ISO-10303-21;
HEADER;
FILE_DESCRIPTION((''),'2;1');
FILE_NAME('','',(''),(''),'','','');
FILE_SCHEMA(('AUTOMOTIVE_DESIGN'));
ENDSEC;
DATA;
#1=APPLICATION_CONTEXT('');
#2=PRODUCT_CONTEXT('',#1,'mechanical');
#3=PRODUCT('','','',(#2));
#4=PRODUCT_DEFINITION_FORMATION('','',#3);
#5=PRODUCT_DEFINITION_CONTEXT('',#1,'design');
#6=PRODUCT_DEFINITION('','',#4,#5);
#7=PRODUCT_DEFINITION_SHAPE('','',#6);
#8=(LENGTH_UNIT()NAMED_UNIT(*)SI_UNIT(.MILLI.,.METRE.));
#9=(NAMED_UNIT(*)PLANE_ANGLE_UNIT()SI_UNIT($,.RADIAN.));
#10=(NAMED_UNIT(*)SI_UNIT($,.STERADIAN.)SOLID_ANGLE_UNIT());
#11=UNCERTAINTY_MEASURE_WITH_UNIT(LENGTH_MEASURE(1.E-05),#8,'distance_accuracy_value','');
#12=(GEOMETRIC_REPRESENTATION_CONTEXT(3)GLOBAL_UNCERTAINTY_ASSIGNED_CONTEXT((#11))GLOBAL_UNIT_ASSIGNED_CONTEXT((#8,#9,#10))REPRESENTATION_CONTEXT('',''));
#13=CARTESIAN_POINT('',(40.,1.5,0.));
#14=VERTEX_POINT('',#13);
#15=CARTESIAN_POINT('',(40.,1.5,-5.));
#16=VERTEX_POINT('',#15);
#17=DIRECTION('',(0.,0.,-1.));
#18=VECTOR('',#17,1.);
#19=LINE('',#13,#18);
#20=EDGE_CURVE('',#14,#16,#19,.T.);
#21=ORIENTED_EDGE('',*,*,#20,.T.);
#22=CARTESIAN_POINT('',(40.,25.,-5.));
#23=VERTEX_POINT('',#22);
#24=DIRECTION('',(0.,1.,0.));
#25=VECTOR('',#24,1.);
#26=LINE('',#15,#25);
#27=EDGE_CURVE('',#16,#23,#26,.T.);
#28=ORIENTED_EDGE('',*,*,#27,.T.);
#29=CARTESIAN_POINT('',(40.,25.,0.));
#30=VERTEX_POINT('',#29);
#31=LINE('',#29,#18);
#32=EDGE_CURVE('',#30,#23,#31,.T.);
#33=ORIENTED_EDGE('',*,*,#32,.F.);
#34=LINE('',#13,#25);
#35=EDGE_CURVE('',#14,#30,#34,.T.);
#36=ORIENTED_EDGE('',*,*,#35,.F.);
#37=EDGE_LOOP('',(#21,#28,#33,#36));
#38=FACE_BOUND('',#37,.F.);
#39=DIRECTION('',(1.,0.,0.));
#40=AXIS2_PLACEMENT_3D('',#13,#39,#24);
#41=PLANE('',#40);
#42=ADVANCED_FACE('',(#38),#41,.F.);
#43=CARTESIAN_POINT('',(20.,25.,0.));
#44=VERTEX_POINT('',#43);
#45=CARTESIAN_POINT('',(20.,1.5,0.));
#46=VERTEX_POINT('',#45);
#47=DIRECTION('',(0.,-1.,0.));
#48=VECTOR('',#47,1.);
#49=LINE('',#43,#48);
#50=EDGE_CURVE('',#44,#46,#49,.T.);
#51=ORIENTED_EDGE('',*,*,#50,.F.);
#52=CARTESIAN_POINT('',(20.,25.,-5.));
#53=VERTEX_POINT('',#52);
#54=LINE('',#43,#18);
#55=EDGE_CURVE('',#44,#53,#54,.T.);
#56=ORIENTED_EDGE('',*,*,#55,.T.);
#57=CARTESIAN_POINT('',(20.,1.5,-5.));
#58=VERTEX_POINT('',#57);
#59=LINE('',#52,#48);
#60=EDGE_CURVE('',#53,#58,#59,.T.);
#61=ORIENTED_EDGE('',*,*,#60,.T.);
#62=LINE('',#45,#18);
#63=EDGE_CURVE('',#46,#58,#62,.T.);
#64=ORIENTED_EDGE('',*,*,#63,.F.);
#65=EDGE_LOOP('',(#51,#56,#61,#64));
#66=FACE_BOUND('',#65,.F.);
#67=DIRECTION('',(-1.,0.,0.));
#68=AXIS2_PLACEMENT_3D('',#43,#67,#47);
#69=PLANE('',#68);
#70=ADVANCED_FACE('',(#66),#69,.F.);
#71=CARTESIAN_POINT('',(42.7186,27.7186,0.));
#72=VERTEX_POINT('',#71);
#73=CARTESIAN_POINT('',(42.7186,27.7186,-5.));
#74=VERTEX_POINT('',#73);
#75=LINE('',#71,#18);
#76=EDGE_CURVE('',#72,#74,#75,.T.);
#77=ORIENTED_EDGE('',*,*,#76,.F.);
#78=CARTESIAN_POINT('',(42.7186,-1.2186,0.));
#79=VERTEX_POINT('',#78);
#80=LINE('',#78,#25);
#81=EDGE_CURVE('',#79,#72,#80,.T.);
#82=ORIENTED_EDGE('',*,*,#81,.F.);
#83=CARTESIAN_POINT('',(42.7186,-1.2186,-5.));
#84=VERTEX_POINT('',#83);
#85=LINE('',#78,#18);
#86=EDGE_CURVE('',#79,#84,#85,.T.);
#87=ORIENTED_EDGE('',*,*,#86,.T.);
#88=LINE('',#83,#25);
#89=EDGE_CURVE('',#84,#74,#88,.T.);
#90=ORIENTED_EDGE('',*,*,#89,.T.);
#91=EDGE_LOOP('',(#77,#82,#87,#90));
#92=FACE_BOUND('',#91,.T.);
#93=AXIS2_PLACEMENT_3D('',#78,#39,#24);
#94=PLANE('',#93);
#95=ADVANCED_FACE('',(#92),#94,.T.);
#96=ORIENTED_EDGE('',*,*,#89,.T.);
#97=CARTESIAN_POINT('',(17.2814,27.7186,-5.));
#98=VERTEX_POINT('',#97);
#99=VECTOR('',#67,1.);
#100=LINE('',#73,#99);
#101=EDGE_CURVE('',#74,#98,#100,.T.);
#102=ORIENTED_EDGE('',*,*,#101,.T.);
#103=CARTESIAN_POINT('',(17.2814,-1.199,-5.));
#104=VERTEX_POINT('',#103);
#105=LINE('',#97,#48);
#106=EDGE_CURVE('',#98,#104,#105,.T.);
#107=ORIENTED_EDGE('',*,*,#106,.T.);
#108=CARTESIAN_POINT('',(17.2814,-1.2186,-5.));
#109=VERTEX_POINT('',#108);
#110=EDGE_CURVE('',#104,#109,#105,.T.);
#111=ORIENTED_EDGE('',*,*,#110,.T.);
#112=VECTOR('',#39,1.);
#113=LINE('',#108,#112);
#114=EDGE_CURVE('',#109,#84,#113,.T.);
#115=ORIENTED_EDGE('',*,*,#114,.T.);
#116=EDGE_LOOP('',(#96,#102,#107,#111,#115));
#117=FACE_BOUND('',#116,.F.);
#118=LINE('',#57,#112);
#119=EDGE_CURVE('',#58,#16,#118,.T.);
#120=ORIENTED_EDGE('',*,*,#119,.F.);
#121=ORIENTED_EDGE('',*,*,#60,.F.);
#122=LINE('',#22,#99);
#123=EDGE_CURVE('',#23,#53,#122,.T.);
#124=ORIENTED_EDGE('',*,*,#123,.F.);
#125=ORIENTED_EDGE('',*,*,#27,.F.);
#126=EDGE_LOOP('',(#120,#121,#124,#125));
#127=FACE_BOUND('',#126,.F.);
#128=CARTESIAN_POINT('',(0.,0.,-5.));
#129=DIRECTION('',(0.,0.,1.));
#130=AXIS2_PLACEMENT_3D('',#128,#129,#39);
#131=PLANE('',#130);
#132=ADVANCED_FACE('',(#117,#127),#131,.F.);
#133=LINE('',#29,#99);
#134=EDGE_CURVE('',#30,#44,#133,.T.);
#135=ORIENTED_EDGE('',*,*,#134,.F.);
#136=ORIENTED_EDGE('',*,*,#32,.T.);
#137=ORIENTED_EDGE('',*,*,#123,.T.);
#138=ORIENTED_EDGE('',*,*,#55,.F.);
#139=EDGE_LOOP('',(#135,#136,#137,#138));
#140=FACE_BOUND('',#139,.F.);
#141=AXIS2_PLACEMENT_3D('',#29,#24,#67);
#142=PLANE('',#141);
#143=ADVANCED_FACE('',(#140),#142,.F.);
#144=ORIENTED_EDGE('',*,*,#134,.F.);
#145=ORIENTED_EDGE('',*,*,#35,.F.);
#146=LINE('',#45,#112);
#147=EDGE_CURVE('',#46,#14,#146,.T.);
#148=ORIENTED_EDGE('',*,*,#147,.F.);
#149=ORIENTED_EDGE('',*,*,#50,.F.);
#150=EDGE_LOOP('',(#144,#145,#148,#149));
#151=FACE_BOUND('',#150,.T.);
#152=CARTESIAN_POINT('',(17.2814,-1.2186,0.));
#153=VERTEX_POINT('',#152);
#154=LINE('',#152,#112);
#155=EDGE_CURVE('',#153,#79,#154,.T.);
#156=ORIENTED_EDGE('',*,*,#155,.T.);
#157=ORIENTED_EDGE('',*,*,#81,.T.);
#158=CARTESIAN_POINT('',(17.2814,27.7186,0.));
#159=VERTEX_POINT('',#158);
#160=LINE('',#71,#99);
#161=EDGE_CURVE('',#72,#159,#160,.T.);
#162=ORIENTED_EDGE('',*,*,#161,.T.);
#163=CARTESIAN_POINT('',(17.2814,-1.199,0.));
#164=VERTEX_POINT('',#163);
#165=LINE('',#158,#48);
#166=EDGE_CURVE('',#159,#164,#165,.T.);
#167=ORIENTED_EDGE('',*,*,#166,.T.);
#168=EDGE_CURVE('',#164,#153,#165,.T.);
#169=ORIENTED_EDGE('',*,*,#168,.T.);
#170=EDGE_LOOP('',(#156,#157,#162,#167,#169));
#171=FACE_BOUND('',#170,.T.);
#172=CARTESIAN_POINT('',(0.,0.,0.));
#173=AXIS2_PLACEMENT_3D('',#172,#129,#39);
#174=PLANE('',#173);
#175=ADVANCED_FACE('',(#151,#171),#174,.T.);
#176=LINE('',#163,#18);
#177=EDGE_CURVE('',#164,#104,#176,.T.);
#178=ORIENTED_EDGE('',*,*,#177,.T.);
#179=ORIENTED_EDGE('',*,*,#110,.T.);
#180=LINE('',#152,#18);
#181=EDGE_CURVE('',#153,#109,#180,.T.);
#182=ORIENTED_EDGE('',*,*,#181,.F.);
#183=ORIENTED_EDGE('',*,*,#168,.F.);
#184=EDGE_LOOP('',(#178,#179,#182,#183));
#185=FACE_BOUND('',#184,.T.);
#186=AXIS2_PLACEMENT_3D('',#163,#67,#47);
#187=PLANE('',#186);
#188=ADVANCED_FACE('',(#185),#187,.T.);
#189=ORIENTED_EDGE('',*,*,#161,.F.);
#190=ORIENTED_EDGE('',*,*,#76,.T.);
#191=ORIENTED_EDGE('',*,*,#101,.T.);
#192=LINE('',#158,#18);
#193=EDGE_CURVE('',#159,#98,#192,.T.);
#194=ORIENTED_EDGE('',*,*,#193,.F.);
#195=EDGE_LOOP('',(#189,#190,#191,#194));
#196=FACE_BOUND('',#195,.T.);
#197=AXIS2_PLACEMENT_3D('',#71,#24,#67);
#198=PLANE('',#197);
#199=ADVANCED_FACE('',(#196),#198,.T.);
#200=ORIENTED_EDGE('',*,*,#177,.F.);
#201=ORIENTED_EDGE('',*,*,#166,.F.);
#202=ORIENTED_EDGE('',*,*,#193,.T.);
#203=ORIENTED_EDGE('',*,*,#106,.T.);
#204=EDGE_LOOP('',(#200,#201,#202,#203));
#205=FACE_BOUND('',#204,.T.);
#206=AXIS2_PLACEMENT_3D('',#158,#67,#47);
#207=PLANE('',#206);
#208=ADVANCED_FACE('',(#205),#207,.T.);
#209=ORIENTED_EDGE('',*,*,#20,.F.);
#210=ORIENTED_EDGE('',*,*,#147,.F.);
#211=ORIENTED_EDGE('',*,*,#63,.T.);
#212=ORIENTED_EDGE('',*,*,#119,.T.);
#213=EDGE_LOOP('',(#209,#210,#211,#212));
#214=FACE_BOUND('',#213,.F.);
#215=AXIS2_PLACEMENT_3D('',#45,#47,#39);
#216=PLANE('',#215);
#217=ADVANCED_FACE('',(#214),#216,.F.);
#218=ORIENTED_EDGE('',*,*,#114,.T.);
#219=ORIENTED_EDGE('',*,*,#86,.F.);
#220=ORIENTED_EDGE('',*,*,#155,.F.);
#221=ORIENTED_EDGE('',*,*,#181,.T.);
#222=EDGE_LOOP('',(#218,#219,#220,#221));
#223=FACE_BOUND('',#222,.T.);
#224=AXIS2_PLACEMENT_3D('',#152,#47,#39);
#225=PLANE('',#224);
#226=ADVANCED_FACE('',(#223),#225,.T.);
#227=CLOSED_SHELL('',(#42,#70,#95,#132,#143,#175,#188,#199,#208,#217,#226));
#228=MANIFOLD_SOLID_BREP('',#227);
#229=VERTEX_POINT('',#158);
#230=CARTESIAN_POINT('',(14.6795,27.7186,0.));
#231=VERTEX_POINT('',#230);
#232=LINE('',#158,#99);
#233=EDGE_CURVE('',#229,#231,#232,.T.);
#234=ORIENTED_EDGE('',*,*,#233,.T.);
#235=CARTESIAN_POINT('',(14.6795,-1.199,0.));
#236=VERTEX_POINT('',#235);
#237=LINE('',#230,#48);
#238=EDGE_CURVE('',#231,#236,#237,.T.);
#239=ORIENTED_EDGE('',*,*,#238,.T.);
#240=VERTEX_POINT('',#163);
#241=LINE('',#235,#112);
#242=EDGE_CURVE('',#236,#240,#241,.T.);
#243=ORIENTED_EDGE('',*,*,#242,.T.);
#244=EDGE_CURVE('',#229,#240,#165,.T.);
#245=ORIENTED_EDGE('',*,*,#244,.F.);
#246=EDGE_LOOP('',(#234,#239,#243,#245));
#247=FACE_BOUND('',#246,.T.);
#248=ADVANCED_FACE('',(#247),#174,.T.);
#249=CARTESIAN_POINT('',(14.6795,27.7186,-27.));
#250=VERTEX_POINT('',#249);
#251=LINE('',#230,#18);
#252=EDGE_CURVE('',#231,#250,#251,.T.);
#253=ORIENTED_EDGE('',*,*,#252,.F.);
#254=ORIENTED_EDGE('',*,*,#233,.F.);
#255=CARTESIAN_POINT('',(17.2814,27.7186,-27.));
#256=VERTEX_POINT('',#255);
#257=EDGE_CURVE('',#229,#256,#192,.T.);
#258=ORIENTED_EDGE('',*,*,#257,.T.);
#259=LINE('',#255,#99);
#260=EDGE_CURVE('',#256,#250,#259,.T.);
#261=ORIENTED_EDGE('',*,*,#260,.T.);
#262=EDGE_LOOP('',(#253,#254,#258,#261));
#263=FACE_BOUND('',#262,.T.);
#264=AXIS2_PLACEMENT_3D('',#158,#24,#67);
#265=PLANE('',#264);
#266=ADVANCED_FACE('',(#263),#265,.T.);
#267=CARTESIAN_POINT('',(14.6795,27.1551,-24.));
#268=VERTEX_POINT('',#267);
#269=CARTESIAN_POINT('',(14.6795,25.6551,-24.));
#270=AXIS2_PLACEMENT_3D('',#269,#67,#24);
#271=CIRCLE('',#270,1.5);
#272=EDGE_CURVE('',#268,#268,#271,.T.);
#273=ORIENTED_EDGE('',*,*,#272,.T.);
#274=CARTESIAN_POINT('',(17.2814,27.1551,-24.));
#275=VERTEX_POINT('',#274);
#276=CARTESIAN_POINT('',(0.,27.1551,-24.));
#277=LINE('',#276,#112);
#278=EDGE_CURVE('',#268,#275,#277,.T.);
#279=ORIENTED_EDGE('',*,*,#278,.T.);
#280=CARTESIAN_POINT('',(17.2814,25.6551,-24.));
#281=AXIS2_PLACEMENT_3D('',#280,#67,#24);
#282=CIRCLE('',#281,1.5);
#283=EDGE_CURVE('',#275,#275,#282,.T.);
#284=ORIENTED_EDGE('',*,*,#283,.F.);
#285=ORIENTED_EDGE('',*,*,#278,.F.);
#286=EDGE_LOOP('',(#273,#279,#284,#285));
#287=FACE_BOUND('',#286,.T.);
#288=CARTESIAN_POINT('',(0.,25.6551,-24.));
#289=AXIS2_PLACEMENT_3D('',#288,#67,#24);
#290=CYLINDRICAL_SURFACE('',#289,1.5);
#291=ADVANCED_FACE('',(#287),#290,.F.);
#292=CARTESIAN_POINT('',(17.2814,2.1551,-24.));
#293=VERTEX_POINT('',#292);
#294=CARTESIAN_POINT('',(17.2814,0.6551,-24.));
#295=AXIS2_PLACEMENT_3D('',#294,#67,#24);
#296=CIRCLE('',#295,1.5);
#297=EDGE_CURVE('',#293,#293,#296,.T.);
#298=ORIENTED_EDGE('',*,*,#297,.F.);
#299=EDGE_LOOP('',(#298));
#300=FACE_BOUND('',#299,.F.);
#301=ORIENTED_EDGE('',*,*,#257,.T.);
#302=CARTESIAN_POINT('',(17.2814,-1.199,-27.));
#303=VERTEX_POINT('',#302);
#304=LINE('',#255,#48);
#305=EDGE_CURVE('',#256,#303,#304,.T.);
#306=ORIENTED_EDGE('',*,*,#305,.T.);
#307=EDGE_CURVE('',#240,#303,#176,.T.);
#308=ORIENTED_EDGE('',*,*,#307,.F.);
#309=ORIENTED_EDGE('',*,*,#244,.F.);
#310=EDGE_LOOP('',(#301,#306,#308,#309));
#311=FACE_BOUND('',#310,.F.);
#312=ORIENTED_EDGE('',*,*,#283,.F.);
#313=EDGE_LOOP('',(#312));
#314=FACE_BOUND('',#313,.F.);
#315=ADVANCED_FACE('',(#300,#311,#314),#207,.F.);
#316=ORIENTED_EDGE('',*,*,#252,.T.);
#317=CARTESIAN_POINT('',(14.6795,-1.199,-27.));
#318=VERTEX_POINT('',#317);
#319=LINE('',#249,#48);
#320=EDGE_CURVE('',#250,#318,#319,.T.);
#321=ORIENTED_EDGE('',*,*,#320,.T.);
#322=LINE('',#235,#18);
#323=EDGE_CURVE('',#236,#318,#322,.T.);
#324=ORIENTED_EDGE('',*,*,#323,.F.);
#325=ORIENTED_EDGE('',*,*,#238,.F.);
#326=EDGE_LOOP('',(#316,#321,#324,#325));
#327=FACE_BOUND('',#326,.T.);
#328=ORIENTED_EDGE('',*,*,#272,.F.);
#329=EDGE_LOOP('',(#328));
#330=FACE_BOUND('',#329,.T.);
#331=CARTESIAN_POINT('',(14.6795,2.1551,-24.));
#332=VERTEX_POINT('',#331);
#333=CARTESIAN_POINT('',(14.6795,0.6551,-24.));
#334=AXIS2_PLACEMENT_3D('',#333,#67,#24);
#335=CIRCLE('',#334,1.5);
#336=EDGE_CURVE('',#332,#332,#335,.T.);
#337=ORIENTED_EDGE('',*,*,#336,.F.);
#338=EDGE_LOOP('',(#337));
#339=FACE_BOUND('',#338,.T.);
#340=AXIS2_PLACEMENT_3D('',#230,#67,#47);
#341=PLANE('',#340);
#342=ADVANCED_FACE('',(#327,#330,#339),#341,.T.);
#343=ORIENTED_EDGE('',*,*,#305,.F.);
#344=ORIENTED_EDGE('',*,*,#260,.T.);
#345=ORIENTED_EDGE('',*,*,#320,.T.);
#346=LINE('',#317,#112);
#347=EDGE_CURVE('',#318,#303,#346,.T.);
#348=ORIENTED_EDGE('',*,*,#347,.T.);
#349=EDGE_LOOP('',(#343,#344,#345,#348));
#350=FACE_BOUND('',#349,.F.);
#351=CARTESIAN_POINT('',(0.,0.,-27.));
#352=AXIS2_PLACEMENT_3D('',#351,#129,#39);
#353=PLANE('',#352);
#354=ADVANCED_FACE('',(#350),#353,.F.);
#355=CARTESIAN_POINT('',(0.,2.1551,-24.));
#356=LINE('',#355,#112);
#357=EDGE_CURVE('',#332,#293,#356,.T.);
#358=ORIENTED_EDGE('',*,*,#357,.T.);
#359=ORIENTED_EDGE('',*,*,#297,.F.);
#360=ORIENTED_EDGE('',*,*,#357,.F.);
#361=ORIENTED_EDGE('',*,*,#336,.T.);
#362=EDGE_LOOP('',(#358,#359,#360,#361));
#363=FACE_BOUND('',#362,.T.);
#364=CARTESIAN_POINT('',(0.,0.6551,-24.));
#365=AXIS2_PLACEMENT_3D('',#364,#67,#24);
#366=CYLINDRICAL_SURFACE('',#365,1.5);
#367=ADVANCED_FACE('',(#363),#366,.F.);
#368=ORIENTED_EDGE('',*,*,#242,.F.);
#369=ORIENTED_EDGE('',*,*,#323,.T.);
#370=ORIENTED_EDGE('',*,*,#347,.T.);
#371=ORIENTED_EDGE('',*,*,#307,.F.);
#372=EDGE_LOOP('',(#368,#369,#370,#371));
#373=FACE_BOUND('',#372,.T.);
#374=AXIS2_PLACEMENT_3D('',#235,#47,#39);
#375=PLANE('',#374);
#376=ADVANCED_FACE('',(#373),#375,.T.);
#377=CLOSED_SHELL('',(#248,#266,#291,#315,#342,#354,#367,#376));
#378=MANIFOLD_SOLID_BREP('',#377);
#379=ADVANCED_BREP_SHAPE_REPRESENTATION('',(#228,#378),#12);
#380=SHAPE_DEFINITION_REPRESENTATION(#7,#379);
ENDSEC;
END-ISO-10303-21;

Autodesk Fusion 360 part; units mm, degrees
sketch "Sketch5" plane through (0, 0, 0) normal (0, 0, 1) x (1, 0, 0)
  line L0 (40, 25) -> (20, 25)
  line L1 (20, 25) -> (20, 1.5)
  line L2 (20, 1.5) -> (40, 1.5)
  line L3 (40, 1.5) -> (40, 25)
  line L4 (42.7186, -1.2186) -> (42.7186, 27.7186)
  line L5 (42.7186, 27.7186) -> (17.2814, 27.7186)
  line L6 (17.2814, 27.7186) -> (17.2814, -1.2186)
  line L7 (17.2814, -1.2186) -> (42.7186, -1.2186)
  line L8 (17.2814, 27.7186) -> (14.6795, 27.7186)
  line L9 (14.6795, 27.7186) -> (14.6795, -1.199)
  line L10 (14.6795, -1.199) -> (17.2814, -1.199)
  line L11 (17.2814, -1.199) -> (17.2814, 27.7186)
  dimension "d10" = 20
  dimension "d11" = 23.5
  dimension "d12" = 2.7186
extrude "Extrude4" add sketch "Sketch5" against normal blind 5 contours L4 L5 L6 L7 L11 makes body 1
extrude "Extrude5" add sketch "Sketch5" against normal blind 27 separate body contours L6 L8 L9 L10 L11 makes body 2
sketch "Sketch8" plane through (0, 0, 0) normal (1, 0, 0) x (0, 1, 0)
  circle A0 centre (25.6551, -24) radius 1.5
  circle A1 centre (0.6551, -24) radius 1.5
  dimension "d17" = 3
  dimension "d18" = 25
  dimension "d19" = 3
sketch "Sketch10" plane through (0, 0, 0) normal (1, 0, 0) x (0, 1, 0)
  curve L0
  curve L1
  curve L2
  curve L3
  curve L4
  curve L5
  curve L6
  curve L7
extrude "Extrude6" cut sketch "Sketch8" along normal blind 35 bodies 2
